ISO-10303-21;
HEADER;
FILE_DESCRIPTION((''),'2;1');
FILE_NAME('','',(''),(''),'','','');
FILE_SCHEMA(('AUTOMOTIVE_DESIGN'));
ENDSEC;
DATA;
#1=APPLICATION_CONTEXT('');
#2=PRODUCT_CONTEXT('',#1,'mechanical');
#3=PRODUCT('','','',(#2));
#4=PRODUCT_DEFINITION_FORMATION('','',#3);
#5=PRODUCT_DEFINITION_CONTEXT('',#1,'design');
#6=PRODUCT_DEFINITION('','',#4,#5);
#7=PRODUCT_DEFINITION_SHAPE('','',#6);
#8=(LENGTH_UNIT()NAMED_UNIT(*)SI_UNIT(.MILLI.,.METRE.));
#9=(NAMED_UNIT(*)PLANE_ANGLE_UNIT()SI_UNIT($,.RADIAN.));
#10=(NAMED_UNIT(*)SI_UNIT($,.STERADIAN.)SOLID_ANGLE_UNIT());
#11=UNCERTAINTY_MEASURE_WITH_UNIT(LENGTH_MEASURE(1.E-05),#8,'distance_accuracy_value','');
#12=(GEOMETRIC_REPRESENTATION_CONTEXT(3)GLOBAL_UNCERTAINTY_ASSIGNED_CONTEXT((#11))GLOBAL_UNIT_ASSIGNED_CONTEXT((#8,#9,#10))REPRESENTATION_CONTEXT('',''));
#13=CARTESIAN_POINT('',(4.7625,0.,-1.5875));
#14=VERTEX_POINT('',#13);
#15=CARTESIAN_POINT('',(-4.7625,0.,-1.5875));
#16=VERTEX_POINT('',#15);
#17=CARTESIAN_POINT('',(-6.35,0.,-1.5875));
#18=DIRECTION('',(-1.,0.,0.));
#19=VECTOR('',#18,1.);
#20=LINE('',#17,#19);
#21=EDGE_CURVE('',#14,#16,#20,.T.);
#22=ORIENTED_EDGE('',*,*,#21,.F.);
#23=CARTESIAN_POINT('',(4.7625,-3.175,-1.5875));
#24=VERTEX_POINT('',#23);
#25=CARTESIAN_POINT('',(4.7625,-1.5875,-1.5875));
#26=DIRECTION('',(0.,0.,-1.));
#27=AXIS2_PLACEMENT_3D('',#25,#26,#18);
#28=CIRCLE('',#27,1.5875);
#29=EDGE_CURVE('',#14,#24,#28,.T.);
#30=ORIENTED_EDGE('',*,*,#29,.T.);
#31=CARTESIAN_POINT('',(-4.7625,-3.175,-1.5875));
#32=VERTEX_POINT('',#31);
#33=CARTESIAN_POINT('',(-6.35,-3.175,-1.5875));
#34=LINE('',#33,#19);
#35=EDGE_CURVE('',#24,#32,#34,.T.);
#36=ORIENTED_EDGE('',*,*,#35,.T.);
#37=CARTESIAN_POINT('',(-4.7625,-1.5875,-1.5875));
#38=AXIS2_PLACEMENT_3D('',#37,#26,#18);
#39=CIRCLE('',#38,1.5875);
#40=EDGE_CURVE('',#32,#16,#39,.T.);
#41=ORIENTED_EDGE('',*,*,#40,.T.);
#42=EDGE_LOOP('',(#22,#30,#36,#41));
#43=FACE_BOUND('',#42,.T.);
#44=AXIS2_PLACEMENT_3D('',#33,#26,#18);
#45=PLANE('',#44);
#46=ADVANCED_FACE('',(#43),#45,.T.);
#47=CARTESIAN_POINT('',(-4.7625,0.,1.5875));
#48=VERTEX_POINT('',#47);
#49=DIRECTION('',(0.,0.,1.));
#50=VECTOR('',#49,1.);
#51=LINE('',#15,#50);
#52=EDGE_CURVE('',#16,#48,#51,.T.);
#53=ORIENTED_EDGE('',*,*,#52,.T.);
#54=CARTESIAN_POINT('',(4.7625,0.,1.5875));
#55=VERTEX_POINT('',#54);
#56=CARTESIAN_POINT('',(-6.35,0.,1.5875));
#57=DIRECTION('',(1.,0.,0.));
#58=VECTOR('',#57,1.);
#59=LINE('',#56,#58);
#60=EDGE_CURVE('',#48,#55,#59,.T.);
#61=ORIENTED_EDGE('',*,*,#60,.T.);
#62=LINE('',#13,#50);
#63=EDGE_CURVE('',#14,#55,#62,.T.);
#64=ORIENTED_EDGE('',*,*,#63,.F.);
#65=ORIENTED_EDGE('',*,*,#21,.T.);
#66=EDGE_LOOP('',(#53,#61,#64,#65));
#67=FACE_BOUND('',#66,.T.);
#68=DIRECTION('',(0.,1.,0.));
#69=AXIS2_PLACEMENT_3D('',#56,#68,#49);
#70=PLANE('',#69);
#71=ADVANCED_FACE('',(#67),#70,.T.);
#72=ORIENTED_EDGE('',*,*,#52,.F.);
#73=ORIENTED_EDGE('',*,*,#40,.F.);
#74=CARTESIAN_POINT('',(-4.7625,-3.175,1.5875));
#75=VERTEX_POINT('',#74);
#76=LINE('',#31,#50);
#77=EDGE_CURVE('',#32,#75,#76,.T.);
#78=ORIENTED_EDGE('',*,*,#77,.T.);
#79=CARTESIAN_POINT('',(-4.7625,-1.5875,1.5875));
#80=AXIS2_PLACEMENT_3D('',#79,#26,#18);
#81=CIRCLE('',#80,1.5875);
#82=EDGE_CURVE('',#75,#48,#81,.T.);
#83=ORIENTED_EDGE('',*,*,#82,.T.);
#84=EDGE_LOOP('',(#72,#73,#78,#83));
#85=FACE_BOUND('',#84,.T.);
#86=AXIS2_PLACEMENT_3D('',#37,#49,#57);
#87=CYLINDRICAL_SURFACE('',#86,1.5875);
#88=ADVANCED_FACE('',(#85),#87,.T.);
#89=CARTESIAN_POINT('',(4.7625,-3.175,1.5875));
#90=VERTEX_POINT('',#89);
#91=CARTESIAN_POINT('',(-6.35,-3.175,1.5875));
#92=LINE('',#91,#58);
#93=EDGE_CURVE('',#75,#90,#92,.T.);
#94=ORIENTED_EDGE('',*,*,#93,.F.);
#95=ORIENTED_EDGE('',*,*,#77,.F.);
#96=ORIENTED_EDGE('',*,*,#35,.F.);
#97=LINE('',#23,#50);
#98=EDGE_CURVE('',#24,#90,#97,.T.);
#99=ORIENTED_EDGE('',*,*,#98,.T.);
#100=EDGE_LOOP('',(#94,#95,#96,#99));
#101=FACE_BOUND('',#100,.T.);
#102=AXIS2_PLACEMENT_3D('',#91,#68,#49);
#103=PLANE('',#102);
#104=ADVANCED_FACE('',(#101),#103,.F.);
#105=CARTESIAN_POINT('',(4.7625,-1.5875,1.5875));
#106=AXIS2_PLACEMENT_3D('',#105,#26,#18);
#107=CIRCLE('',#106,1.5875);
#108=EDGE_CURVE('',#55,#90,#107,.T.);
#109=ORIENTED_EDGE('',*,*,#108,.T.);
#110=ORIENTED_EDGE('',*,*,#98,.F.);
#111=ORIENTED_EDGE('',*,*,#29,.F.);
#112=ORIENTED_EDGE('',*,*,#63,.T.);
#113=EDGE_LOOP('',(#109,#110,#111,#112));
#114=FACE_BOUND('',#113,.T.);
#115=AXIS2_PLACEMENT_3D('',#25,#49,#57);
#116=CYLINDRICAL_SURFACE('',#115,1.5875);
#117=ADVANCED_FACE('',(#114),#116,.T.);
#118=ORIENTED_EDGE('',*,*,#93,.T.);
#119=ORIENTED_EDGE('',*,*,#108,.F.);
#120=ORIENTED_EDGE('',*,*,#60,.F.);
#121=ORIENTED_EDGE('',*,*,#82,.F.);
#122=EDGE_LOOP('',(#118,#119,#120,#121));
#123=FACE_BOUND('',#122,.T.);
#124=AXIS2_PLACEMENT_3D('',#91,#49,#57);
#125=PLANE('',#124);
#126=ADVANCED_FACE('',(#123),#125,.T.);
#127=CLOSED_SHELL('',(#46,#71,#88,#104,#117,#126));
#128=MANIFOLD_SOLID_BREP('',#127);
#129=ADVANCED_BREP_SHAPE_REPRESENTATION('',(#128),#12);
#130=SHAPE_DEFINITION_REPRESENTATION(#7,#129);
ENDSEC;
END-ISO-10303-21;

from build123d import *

# Parameters (mm, degrees)
SKETCH1_W         = 12.7
SKETCH1_H         = 3.175
EXTRUDE1_DEPTH    = 3.175
SKETCH2_OUTSIDE_W = 17.394
SKETCH2_OUTSIDE_H = 7.869
EXTRUDE2_DEPTH    = 4.175


with BuildPart() as part:
    # Sketch1 → Extrude1 (new body)
    with BuildSketch(Plane(origin=(0, 0, 0), x_dir=(1, 0, 0), z_dir=(0, 1, 0))):
        Rectangle(SKETCH1_W, SKETCH1_H)
    extrude(amount=-EXTRUDE1_DEPTH)

    # Sketch2 outside → Extrude2 (cut, through all)
    with BuildSketch(Plane(origin=(44.45, 6.35, 1.5875), x_dir=(-1, 0, 0), z_dir=(0, 0, -1))):
        with Locations((44.45, -7.9375)):
            Rectangle(SKETCH2_OUTSIDE_W, SKETCH2_OUTSIDE_H)
        with BuildLine():
            Line((39.6875, -6.35), (49.2125, -6.35))
            ThreePointArc((49.2125, -6.35), (50.8, -7.9375), (49.2125, -9.525))
            Line((49.2125, -9.525), (39.6875, -9.525))
            ThreePointArc((39.6875, -9.525), (38.1, -7.9375), (39.6875, -6.35))
        make_face(mode=Mode.SUBTRACT)
    extrude(amount=EXTRUDE2_DEPTH, mode=Mode.SUBTRACT)


solid = part.part
